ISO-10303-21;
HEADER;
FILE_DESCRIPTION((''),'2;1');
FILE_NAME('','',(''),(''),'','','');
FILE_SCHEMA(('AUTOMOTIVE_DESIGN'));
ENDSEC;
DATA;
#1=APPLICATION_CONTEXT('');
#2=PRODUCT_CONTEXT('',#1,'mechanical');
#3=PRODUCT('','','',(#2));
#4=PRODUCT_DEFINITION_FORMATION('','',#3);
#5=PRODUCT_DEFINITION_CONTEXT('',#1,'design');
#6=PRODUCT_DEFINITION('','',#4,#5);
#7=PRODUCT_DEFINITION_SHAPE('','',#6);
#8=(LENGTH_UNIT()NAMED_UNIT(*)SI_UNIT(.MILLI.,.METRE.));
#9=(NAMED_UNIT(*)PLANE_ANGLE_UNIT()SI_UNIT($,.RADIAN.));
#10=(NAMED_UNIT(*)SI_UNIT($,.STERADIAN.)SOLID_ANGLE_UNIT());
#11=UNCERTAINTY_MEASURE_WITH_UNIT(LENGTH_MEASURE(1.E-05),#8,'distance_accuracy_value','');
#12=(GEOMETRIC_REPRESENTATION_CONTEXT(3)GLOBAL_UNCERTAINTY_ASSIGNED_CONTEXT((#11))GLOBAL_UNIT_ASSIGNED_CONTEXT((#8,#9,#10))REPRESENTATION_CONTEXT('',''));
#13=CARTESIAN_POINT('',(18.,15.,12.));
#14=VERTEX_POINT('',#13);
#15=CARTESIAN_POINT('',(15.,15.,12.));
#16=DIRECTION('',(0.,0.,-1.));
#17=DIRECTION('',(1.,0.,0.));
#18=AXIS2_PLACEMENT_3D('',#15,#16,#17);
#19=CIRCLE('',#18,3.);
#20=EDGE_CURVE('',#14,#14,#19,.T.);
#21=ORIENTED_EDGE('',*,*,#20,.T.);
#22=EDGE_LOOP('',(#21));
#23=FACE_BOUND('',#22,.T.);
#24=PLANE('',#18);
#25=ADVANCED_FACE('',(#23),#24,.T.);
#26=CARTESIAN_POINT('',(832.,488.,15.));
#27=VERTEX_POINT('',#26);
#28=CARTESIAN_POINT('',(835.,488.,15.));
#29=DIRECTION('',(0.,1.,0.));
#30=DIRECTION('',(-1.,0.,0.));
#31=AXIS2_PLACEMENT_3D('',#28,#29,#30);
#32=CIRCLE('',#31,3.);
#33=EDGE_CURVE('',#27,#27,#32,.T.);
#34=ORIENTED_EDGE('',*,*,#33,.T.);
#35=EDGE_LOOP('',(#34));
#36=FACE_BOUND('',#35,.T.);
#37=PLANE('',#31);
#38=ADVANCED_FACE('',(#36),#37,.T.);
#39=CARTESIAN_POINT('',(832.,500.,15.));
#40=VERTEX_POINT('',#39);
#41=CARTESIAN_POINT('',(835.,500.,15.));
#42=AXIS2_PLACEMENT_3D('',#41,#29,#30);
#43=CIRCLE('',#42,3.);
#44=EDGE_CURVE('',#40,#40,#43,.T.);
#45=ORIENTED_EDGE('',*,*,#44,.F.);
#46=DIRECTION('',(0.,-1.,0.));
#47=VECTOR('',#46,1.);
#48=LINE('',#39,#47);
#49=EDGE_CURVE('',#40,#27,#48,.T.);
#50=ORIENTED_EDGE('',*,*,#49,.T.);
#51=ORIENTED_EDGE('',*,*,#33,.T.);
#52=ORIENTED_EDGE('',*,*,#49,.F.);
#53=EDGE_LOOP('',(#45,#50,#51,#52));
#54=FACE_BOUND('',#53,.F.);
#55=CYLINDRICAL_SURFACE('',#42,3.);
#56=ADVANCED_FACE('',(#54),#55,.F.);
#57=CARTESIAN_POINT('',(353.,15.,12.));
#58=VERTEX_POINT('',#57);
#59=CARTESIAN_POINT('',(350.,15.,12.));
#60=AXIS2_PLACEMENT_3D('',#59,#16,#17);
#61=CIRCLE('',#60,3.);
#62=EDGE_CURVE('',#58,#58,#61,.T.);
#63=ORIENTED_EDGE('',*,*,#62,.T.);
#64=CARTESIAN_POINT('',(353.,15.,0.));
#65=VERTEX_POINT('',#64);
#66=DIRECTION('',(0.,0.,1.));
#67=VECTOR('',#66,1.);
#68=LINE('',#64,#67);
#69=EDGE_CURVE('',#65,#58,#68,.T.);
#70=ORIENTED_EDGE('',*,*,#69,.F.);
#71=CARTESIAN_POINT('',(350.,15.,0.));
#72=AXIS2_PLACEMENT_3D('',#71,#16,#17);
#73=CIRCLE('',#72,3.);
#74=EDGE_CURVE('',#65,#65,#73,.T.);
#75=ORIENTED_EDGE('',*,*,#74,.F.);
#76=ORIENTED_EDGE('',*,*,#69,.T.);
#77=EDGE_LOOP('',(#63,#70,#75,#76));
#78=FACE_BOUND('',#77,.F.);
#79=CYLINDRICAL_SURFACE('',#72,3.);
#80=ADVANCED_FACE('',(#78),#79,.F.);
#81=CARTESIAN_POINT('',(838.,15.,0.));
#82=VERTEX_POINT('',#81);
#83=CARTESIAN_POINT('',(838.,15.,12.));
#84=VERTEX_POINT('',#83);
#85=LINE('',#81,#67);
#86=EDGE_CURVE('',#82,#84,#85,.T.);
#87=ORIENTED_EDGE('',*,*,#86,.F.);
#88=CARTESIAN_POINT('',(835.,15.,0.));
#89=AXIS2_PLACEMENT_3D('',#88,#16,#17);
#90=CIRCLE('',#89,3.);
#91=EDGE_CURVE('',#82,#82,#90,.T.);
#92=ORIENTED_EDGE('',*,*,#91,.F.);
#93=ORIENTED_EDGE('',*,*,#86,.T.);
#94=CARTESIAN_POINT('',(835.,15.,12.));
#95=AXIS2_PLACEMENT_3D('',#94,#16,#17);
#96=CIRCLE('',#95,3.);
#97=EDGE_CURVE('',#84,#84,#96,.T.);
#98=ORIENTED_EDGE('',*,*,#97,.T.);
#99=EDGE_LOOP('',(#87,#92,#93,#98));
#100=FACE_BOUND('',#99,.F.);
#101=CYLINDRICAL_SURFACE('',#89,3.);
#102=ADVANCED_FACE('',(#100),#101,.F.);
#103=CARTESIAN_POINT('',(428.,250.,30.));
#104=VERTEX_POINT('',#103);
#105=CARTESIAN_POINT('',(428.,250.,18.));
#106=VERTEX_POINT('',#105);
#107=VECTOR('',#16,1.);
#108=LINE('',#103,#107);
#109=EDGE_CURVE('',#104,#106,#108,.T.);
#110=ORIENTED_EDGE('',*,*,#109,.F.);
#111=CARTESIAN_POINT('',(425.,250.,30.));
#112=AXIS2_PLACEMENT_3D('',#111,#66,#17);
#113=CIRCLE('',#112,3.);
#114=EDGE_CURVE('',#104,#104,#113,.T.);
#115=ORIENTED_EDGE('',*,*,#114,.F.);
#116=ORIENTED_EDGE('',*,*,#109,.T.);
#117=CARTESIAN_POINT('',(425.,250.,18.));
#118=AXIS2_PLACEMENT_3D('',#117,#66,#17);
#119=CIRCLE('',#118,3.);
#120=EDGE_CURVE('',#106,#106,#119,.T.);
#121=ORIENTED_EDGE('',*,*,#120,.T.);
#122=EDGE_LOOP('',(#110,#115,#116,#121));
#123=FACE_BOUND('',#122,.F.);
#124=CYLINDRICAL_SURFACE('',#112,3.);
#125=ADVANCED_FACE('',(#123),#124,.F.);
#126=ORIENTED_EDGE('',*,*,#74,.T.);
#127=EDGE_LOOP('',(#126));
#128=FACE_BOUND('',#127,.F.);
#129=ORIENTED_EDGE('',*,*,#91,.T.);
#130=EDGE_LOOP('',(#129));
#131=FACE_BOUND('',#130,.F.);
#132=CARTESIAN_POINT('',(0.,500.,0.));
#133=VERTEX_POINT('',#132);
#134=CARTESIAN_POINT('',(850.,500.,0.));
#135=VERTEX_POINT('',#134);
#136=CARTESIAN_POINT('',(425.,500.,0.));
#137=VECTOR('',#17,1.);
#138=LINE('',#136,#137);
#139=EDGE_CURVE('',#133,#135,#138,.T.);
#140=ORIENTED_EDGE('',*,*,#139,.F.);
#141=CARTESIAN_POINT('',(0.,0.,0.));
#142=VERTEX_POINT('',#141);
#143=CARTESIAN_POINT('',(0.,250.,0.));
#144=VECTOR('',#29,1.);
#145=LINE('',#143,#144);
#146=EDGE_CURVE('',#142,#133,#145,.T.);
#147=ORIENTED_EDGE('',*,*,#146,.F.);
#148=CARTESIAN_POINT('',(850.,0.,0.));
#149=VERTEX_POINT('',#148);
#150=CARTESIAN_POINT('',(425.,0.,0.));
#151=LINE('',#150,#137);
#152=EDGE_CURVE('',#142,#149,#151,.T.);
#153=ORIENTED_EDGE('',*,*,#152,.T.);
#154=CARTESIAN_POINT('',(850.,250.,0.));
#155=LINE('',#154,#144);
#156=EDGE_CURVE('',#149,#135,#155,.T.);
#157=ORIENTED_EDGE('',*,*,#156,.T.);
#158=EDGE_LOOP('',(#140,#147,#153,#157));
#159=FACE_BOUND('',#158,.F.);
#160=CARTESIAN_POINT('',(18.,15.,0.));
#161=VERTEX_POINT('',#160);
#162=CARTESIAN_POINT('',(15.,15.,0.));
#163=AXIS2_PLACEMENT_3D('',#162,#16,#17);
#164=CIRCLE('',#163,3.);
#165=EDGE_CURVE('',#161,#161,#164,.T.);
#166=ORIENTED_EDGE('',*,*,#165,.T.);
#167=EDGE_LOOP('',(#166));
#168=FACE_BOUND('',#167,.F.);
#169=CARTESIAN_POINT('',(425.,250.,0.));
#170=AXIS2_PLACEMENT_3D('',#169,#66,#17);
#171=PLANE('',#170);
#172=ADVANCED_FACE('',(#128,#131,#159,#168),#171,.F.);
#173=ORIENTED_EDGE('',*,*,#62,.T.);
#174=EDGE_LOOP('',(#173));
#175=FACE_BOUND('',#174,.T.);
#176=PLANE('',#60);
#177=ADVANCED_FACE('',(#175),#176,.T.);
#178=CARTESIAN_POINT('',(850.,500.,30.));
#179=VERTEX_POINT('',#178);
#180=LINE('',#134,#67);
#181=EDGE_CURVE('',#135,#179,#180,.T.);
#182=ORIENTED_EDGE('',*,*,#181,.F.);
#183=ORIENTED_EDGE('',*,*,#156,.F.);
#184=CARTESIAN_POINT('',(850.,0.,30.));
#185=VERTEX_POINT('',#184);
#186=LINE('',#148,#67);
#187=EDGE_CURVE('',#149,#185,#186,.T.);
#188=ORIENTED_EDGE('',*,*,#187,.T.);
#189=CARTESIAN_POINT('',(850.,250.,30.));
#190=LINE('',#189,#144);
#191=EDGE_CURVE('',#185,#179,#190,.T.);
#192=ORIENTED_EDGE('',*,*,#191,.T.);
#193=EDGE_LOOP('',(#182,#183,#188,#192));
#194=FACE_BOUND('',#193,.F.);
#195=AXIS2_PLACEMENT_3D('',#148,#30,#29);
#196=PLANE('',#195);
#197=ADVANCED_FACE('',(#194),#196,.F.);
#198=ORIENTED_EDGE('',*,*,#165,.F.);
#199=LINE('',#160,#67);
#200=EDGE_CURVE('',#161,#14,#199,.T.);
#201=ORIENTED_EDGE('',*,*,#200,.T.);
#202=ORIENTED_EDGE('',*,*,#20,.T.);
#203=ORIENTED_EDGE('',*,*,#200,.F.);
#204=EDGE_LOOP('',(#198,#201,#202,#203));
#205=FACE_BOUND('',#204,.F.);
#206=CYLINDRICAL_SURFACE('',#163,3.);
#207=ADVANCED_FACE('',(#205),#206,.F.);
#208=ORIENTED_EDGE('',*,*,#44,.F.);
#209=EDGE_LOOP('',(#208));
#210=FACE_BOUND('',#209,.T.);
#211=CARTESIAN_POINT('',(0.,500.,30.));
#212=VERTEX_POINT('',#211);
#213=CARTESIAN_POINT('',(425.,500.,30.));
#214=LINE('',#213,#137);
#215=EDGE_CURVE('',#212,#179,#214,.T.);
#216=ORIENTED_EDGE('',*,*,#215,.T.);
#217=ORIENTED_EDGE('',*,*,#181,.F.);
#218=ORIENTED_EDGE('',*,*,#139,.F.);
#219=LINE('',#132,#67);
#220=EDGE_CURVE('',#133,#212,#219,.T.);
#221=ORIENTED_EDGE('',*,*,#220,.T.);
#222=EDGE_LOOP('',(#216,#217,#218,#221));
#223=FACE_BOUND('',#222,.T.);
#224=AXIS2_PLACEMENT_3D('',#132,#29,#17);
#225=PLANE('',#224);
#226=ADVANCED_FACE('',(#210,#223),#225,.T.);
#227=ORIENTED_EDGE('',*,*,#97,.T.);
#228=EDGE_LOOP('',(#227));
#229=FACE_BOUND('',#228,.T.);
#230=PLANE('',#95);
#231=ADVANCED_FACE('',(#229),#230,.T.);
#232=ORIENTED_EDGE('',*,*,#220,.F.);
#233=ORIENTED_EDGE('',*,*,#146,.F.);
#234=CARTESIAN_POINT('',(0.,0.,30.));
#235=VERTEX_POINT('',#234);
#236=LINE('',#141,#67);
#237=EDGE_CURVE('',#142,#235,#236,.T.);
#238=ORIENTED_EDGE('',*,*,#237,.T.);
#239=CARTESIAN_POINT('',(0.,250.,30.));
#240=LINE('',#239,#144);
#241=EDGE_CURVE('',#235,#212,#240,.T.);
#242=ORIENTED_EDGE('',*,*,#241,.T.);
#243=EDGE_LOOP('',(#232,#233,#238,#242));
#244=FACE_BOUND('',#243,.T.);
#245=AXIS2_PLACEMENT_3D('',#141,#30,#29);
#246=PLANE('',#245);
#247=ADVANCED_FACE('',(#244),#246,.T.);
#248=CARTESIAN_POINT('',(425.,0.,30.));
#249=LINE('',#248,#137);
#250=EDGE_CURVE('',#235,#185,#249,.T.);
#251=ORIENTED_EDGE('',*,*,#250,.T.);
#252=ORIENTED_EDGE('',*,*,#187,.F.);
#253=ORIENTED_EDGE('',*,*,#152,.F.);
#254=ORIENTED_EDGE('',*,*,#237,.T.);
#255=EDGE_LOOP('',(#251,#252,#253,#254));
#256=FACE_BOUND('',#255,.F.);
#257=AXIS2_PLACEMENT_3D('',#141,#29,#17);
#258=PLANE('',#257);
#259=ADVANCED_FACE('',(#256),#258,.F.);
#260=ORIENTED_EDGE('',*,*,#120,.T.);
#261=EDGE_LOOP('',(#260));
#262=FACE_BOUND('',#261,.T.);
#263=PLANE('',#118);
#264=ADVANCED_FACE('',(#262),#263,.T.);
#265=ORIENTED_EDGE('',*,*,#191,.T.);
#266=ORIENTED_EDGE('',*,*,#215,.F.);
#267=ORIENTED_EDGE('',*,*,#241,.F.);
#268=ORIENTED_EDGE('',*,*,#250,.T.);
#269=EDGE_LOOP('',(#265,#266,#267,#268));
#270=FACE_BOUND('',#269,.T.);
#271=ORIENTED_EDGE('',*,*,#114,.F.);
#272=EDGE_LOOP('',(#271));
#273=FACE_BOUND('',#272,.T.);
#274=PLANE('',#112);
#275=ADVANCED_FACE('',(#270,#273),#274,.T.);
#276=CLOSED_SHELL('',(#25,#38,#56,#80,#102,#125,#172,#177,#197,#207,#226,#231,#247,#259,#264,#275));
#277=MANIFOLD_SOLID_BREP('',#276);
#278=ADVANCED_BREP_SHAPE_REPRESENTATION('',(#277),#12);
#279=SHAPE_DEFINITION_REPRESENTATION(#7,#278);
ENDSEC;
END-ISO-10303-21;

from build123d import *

# Parameters (mm, degrees)
F0_W      = 850
F0_H      = 500
F1_DEPTH  = 30
F2_R      = 3
F3_DEPTH  = 12
F4_R      = 3
F5_DEPTH  = 12
F6_R      = 3
F7_DEPTH  = 12
F8_R      = 3
F9_DEPTH  = 12
F10_R     = 3
F11_DEPTH = 12


with BuildPart() as f1:
    # F0 (on Top) → F1 (new body)
    with BuildSketch(Plane.XY):
        with Locations((425, 250)):
            Rectangle(F0_W, F0_H)
    extrude(amount=F1_DEPTH)

    # F2 (on face) → F3 (cut)
    with BuildSketch(Plane(origin=(0, 0, 0), x_dir=(1, 0, 0), z_dir=(0, 0, -1))):
        with Locations((835, -15)):
            Circle(F2_R)
    extrude(amount=-F3_DEPTH, mode=Mode.SUBTRACT)

    # F4 (on face) → F5 (cut)
    with BuildSketch(Plane(origin=(0, 0, 0), x_dir=(1, 0, 0), z_dir=(0, 0, -1))):
        with Locations((15, -15)):
            Circle(F4_R)
    extrude(amount=-F5_DEPTH, mode=Mode.SUBTRACT)

    # F6 (on face) → F7 (cut)
    with BuildSketch(Plane(origin=(0, 0, 0), x_dir=(1, 0, 0), z_dir=(0, 0, -1))):
        with Locations((350, -15)):
            Circle(F6_R)
    extrude(amount=-F7_DEPTH, mode=Mode.SUBTRACT)

    # F8 (on face) → F9 (cut)
    with BuildSketch(Plane.XY.offset(30)):
        with Locations((425, 250)):
            Circle(F8_R)
    extrude(amount=-F9_DEPTH, mode=Mode.SUBTRACT)

    # F10 (on face) → F11 (cut)
    with BuildSketch(Plane(origin=(0, 500, 0), x_dir=(-1, 0, 0), z_dir=(0, 1, 0))):
        with Locations((-835, 15)):
            Circle(F10_R)
    extrude(amount=-F11_DEPTH, mode=Mode.SUBTRACT)


solid = f1.part
